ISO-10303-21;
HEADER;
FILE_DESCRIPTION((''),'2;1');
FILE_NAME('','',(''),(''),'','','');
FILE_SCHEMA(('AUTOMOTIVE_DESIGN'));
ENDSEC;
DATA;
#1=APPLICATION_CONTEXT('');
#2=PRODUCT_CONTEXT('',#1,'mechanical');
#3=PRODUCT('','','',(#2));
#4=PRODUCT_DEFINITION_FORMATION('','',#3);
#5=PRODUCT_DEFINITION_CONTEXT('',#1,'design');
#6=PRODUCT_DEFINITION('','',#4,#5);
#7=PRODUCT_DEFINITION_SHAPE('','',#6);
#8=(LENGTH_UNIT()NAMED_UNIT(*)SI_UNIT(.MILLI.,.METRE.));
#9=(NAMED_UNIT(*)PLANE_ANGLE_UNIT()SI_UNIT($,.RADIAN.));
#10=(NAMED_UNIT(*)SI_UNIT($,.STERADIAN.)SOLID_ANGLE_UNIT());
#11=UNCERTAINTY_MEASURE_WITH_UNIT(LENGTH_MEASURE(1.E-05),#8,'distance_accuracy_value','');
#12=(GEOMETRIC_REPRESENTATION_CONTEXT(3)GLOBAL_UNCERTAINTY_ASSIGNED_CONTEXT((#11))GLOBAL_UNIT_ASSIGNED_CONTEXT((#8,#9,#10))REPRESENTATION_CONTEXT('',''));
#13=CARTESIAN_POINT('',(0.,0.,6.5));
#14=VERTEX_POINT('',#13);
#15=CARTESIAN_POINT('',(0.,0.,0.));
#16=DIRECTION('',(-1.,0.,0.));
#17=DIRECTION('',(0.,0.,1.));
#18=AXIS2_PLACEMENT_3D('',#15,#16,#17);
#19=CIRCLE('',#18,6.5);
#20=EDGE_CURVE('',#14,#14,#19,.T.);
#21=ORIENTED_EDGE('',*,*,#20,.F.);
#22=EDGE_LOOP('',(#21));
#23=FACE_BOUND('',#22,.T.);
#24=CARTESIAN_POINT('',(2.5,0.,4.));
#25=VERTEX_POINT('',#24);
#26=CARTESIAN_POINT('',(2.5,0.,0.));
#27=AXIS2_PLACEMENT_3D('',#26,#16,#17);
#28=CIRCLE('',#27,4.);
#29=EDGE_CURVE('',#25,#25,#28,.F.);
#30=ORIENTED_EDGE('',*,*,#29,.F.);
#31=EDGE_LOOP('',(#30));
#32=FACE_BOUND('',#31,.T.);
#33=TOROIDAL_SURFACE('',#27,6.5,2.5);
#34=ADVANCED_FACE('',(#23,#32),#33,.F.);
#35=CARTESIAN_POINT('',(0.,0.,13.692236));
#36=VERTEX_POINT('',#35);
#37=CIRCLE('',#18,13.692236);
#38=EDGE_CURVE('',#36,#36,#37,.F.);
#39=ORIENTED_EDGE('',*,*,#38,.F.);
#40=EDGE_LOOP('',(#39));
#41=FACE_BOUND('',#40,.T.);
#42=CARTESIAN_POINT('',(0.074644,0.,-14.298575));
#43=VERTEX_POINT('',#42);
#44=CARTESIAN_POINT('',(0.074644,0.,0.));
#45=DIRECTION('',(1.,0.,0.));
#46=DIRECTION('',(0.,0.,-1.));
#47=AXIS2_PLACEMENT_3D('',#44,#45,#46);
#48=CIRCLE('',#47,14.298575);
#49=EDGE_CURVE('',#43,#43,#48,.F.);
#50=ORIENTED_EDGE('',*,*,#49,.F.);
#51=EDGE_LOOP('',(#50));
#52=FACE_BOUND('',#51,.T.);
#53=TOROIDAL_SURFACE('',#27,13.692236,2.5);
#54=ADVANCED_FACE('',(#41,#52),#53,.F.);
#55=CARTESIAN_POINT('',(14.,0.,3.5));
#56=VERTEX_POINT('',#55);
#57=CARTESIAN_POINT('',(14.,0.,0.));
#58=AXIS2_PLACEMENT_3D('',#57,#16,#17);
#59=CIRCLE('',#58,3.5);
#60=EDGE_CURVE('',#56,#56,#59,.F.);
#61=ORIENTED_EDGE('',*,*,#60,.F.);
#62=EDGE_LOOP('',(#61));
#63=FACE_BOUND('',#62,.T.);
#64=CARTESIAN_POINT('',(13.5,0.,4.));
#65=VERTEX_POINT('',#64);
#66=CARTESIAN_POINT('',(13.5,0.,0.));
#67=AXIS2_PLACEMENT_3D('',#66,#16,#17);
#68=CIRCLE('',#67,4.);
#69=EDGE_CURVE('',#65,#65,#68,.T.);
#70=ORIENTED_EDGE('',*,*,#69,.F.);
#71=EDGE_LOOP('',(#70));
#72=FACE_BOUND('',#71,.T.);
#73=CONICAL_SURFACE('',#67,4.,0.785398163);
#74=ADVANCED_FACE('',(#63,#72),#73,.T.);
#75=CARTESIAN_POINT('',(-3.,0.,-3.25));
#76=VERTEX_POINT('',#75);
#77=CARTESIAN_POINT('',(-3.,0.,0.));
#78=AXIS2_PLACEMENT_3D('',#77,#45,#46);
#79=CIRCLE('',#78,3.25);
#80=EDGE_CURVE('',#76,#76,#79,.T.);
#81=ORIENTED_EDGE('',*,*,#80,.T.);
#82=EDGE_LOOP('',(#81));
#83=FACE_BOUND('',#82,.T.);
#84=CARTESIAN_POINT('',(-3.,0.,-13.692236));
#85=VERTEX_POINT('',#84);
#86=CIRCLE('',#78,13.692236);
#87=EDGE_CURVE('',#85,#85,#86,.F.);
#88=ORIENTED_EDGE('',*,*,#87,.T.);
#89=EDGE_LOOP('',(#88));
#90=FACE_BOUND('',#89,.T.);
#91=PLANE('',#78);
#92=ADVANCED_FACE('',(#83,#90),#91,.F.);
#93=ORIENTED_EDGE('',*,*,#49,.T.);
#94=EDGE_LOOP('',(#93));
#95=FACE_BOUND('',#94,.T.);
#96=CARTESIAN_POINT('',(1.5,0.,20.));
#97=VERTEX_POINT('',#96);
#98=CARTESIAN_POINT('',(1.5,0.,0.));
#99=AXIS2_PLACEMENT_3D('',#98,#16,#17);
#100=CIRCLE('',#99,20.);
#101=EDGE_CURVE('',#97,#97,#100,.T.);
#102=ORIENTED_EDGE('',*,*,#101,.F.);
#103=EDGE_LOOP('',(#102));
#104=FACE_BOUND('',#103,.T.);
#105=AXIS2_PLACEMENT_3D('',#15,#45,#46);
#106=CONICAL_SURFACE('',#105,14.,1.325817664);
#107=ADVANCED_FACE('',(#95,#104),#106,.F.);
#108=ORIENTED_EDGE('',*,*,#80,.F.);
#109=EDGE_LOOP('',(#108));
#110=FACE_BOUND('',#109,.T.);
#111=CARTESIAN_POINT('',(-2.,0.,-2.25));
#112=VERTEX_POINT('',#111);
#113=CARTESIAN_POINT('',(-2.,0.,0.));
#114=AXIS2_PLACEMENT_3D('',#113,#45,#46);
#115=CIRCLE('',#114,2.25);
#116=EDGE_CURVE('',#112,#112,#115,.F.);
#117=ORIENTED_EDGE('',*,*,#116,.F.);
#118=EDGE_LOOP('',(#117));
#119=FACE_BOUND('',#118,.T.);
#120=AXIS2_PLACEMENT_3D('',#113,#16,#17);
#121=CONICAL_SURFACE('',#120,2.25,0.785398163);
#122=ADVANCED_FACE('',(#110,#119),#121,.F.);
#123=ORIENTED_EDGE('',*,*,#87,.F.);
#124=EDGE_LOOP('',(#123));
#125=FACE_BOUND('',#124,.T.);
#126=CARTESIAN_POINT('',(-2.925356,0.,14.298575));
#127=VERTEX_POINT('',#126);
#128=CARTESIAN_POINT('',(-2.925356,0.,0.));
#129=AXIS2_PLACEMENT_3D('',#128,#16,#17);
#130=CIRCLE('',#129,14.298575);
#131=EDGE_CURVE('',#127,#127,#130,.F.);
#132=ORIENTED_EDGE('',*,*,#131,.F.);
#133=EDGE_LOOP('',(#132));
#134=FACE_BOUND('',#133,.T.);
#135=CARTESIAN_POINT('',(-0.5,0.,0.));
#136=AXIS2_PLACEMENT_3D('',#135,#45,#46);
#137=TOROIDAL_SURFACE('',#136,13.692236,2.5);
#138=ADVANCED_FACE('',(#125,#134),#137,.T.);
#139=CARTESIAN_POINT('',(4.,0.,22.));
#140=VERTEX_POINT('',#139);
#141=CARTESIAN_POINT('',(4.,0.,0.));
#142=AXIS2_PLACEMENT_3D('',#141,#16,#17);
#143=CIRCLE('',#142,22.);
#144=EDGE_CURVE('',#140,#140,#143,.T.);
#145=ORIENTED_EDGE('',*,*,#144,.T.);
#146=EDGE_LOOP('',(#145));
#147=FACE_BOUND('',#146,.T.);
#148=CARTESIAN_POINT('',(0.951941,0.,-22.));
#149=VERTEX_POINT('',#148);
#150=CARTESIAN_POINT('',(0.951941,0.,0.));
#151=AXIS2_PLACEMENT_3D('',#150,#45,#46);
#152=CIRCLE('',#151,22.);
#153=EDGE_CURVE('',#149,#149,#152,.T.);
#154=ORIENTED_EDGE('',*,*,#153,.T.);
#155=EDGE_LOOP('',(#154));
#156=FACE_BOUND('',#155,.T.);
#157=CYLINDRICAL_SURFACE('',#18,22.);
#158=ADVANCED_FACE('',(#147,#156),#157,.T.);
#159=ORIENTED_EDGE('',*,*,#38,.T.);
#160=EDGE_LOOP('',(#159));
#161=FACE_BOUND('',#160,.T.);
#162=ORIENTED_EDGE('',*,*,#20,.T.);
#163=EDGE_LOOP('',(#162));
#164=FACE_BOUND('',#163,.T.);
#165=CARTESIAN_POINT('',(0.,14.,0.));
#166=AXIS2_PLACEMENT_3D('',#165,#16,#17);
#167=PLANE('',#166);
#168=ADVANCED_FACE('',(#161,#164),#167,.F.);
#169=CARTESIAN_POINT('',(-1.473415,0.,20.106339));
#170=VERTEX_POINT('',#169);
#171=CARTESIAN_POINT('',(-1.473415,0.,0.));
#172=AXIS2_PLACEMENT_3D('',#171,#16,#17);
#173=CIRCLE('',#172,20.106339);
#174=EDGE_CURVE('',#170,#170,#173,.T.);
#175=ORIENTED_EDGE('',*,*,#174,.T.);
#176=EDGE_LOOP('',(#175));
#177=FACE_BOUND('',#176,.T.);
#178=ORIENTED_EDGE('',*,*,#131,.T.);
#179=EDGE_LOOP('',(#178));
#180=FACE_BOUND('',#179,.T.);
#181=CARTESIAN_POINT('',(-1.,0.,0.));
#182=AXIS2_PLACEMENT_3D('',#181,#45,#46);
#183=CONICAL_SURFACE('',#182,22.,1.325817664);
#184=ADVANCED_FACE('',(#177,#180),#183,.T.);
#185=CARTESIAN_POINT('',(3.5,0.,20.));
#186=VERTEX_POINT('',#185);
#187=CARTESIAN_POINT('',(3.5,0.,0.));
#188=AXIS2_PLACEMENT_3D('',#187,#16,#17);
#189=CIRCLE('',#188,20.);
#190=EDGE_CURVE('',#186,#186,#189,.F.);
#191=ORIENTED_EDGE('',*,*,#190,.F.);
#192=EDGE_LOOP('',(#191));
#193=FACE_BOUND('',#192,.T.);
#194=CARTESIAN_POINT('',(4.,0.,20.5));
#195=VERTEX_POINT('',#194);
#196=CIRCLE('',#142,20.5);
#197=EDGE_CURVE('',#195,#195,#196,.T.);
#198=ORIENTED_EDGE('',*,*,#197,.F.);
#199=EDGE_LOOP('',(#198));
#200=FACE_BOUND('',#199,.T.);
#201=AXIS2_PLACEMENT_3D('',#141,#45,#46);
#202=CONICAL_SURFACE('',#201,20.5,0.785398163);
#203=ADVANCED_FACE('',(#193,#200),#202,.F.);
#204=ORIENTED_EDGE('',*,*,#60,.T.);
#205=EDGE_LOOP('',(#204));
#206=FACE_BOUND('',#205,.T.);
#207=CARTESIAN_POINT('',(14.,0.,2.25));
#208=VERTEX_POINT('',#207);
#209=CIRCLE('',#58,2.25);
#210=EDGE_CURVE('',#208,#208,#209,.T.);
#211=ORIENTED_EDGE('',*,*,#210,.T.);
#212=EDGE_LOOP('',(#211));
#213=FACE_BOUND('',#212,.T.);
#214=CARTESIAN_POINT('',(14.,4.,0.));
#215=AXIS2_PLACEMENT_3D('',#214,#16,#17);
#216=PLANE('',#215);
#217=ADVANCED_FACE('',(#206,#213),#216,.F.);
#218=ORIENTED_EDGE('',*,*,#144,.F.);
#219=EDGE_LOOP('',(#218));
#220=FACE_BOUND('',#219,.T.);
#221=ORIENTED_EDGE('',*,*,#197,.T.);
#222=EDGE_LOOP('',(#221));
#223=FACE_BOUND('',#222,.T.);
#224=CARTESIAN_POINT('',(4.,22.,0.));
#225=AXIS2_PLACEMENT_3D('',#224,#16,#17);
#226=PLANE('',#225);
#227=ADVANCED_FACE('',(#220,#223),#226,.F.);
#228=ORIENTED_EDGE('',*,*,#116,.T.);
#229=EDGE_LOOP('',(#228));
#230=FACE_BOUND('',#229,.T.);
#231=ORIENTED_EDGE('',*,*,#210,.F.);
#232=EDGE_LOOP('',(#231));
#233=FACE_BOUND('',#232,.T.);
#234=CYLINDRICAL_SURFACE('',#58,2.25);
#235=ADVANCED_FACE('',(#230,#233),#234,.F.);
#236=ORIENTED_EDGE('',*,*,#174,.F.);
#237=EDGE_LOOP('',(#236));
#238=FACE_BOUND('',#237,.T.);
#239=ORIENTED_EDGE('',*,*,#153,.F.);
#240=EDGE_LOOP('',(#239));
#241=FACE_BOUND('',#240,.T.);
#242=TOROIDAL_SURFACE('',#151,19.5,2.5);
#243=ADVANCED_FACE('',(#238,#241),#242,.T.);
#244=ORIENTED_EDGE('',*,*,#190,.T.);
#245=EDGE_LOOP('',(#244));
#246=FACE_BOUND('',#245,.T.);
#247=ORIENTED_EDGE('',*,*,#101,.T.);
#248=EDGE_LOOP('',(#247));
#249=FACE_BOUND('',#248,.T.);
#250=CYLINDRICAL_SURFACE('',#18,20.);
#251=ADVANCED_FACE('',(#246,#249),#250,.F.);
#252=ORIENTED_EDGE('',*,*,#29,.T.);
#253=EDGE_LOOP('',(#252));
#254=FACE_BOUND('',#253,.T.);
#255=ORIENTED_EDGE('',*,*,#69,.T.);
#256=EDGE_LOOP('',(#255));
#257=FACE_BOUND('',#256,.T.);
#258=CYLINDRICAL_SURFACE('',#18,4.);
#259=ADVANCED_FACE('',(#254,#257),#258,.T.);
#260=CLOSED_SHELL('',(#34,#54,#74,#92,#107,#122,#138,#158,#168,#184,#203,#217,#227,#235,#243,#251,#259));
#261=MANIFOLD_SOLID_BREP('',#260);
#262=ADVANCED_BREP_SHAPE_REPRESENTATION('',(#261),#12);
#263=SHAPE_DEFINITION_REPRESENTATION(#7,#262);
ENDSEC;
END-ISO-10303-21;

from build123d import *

# Parameters (mm, degrees)
FILLET1_R          = 2.5
CHAMFER1_SIZE      = 0.5
SKETCH3_R          = 2.25
CUT_EXTRUDE1_DEPTH = 18
CHAMFER2_SIZE      = 1


with BuildPart() as part:
    # Sketch1 → Revolve1 (revolve)
    with BuildSketch(Plane.XY):
        Polygon((4, 22), (4, 20), (1.5, 20), (0, 14), (0, 4), (14, 4), (14, 0), (-3, 0), (-3, 14), (-1, 22), align=None)
    revolve(axis=Axis((0, 0, 0), (1, 0, 0)))

    # Fillet1
    fillet1_edges = [part.edges().sort_by_distance(p)[0] for p in [
        (-1, -22, 0),
        (-3, -14, 0),
        (0, -4, 0),
        (0, -14, 0),
    ]]
    fillet(fillet1_edges, radius=FILLET1_R)

    # Chamfer1
    chamfer1_edges = [part.edges().sort_by_distance(p)[0] for p in [
        (4, -20, 0),
        (14, -4, 0),
    ]]
    chamfer(chamfer1_edges, length=CHAMFER1_SIZE)

    # Sketch3 → Cut-Extrude1 (cut, through all)
    with BuildSketch(Plane.ZY.offset(3)):
        Circle(SKETCH3_R)
    extrude(amount=-CUT_EXTRUDE1_DEPTH, mode=Mode.SUBTRACT)

    # Chamfer2
    chamfer2_edges = [part.edges().sort_by_distance(p)[0] for p in [
        (-3, 0, -2.25),
    ]]
    chamfer(chamfer2_edges, length=CHAMFER2_SIZE)


solid = part.part
